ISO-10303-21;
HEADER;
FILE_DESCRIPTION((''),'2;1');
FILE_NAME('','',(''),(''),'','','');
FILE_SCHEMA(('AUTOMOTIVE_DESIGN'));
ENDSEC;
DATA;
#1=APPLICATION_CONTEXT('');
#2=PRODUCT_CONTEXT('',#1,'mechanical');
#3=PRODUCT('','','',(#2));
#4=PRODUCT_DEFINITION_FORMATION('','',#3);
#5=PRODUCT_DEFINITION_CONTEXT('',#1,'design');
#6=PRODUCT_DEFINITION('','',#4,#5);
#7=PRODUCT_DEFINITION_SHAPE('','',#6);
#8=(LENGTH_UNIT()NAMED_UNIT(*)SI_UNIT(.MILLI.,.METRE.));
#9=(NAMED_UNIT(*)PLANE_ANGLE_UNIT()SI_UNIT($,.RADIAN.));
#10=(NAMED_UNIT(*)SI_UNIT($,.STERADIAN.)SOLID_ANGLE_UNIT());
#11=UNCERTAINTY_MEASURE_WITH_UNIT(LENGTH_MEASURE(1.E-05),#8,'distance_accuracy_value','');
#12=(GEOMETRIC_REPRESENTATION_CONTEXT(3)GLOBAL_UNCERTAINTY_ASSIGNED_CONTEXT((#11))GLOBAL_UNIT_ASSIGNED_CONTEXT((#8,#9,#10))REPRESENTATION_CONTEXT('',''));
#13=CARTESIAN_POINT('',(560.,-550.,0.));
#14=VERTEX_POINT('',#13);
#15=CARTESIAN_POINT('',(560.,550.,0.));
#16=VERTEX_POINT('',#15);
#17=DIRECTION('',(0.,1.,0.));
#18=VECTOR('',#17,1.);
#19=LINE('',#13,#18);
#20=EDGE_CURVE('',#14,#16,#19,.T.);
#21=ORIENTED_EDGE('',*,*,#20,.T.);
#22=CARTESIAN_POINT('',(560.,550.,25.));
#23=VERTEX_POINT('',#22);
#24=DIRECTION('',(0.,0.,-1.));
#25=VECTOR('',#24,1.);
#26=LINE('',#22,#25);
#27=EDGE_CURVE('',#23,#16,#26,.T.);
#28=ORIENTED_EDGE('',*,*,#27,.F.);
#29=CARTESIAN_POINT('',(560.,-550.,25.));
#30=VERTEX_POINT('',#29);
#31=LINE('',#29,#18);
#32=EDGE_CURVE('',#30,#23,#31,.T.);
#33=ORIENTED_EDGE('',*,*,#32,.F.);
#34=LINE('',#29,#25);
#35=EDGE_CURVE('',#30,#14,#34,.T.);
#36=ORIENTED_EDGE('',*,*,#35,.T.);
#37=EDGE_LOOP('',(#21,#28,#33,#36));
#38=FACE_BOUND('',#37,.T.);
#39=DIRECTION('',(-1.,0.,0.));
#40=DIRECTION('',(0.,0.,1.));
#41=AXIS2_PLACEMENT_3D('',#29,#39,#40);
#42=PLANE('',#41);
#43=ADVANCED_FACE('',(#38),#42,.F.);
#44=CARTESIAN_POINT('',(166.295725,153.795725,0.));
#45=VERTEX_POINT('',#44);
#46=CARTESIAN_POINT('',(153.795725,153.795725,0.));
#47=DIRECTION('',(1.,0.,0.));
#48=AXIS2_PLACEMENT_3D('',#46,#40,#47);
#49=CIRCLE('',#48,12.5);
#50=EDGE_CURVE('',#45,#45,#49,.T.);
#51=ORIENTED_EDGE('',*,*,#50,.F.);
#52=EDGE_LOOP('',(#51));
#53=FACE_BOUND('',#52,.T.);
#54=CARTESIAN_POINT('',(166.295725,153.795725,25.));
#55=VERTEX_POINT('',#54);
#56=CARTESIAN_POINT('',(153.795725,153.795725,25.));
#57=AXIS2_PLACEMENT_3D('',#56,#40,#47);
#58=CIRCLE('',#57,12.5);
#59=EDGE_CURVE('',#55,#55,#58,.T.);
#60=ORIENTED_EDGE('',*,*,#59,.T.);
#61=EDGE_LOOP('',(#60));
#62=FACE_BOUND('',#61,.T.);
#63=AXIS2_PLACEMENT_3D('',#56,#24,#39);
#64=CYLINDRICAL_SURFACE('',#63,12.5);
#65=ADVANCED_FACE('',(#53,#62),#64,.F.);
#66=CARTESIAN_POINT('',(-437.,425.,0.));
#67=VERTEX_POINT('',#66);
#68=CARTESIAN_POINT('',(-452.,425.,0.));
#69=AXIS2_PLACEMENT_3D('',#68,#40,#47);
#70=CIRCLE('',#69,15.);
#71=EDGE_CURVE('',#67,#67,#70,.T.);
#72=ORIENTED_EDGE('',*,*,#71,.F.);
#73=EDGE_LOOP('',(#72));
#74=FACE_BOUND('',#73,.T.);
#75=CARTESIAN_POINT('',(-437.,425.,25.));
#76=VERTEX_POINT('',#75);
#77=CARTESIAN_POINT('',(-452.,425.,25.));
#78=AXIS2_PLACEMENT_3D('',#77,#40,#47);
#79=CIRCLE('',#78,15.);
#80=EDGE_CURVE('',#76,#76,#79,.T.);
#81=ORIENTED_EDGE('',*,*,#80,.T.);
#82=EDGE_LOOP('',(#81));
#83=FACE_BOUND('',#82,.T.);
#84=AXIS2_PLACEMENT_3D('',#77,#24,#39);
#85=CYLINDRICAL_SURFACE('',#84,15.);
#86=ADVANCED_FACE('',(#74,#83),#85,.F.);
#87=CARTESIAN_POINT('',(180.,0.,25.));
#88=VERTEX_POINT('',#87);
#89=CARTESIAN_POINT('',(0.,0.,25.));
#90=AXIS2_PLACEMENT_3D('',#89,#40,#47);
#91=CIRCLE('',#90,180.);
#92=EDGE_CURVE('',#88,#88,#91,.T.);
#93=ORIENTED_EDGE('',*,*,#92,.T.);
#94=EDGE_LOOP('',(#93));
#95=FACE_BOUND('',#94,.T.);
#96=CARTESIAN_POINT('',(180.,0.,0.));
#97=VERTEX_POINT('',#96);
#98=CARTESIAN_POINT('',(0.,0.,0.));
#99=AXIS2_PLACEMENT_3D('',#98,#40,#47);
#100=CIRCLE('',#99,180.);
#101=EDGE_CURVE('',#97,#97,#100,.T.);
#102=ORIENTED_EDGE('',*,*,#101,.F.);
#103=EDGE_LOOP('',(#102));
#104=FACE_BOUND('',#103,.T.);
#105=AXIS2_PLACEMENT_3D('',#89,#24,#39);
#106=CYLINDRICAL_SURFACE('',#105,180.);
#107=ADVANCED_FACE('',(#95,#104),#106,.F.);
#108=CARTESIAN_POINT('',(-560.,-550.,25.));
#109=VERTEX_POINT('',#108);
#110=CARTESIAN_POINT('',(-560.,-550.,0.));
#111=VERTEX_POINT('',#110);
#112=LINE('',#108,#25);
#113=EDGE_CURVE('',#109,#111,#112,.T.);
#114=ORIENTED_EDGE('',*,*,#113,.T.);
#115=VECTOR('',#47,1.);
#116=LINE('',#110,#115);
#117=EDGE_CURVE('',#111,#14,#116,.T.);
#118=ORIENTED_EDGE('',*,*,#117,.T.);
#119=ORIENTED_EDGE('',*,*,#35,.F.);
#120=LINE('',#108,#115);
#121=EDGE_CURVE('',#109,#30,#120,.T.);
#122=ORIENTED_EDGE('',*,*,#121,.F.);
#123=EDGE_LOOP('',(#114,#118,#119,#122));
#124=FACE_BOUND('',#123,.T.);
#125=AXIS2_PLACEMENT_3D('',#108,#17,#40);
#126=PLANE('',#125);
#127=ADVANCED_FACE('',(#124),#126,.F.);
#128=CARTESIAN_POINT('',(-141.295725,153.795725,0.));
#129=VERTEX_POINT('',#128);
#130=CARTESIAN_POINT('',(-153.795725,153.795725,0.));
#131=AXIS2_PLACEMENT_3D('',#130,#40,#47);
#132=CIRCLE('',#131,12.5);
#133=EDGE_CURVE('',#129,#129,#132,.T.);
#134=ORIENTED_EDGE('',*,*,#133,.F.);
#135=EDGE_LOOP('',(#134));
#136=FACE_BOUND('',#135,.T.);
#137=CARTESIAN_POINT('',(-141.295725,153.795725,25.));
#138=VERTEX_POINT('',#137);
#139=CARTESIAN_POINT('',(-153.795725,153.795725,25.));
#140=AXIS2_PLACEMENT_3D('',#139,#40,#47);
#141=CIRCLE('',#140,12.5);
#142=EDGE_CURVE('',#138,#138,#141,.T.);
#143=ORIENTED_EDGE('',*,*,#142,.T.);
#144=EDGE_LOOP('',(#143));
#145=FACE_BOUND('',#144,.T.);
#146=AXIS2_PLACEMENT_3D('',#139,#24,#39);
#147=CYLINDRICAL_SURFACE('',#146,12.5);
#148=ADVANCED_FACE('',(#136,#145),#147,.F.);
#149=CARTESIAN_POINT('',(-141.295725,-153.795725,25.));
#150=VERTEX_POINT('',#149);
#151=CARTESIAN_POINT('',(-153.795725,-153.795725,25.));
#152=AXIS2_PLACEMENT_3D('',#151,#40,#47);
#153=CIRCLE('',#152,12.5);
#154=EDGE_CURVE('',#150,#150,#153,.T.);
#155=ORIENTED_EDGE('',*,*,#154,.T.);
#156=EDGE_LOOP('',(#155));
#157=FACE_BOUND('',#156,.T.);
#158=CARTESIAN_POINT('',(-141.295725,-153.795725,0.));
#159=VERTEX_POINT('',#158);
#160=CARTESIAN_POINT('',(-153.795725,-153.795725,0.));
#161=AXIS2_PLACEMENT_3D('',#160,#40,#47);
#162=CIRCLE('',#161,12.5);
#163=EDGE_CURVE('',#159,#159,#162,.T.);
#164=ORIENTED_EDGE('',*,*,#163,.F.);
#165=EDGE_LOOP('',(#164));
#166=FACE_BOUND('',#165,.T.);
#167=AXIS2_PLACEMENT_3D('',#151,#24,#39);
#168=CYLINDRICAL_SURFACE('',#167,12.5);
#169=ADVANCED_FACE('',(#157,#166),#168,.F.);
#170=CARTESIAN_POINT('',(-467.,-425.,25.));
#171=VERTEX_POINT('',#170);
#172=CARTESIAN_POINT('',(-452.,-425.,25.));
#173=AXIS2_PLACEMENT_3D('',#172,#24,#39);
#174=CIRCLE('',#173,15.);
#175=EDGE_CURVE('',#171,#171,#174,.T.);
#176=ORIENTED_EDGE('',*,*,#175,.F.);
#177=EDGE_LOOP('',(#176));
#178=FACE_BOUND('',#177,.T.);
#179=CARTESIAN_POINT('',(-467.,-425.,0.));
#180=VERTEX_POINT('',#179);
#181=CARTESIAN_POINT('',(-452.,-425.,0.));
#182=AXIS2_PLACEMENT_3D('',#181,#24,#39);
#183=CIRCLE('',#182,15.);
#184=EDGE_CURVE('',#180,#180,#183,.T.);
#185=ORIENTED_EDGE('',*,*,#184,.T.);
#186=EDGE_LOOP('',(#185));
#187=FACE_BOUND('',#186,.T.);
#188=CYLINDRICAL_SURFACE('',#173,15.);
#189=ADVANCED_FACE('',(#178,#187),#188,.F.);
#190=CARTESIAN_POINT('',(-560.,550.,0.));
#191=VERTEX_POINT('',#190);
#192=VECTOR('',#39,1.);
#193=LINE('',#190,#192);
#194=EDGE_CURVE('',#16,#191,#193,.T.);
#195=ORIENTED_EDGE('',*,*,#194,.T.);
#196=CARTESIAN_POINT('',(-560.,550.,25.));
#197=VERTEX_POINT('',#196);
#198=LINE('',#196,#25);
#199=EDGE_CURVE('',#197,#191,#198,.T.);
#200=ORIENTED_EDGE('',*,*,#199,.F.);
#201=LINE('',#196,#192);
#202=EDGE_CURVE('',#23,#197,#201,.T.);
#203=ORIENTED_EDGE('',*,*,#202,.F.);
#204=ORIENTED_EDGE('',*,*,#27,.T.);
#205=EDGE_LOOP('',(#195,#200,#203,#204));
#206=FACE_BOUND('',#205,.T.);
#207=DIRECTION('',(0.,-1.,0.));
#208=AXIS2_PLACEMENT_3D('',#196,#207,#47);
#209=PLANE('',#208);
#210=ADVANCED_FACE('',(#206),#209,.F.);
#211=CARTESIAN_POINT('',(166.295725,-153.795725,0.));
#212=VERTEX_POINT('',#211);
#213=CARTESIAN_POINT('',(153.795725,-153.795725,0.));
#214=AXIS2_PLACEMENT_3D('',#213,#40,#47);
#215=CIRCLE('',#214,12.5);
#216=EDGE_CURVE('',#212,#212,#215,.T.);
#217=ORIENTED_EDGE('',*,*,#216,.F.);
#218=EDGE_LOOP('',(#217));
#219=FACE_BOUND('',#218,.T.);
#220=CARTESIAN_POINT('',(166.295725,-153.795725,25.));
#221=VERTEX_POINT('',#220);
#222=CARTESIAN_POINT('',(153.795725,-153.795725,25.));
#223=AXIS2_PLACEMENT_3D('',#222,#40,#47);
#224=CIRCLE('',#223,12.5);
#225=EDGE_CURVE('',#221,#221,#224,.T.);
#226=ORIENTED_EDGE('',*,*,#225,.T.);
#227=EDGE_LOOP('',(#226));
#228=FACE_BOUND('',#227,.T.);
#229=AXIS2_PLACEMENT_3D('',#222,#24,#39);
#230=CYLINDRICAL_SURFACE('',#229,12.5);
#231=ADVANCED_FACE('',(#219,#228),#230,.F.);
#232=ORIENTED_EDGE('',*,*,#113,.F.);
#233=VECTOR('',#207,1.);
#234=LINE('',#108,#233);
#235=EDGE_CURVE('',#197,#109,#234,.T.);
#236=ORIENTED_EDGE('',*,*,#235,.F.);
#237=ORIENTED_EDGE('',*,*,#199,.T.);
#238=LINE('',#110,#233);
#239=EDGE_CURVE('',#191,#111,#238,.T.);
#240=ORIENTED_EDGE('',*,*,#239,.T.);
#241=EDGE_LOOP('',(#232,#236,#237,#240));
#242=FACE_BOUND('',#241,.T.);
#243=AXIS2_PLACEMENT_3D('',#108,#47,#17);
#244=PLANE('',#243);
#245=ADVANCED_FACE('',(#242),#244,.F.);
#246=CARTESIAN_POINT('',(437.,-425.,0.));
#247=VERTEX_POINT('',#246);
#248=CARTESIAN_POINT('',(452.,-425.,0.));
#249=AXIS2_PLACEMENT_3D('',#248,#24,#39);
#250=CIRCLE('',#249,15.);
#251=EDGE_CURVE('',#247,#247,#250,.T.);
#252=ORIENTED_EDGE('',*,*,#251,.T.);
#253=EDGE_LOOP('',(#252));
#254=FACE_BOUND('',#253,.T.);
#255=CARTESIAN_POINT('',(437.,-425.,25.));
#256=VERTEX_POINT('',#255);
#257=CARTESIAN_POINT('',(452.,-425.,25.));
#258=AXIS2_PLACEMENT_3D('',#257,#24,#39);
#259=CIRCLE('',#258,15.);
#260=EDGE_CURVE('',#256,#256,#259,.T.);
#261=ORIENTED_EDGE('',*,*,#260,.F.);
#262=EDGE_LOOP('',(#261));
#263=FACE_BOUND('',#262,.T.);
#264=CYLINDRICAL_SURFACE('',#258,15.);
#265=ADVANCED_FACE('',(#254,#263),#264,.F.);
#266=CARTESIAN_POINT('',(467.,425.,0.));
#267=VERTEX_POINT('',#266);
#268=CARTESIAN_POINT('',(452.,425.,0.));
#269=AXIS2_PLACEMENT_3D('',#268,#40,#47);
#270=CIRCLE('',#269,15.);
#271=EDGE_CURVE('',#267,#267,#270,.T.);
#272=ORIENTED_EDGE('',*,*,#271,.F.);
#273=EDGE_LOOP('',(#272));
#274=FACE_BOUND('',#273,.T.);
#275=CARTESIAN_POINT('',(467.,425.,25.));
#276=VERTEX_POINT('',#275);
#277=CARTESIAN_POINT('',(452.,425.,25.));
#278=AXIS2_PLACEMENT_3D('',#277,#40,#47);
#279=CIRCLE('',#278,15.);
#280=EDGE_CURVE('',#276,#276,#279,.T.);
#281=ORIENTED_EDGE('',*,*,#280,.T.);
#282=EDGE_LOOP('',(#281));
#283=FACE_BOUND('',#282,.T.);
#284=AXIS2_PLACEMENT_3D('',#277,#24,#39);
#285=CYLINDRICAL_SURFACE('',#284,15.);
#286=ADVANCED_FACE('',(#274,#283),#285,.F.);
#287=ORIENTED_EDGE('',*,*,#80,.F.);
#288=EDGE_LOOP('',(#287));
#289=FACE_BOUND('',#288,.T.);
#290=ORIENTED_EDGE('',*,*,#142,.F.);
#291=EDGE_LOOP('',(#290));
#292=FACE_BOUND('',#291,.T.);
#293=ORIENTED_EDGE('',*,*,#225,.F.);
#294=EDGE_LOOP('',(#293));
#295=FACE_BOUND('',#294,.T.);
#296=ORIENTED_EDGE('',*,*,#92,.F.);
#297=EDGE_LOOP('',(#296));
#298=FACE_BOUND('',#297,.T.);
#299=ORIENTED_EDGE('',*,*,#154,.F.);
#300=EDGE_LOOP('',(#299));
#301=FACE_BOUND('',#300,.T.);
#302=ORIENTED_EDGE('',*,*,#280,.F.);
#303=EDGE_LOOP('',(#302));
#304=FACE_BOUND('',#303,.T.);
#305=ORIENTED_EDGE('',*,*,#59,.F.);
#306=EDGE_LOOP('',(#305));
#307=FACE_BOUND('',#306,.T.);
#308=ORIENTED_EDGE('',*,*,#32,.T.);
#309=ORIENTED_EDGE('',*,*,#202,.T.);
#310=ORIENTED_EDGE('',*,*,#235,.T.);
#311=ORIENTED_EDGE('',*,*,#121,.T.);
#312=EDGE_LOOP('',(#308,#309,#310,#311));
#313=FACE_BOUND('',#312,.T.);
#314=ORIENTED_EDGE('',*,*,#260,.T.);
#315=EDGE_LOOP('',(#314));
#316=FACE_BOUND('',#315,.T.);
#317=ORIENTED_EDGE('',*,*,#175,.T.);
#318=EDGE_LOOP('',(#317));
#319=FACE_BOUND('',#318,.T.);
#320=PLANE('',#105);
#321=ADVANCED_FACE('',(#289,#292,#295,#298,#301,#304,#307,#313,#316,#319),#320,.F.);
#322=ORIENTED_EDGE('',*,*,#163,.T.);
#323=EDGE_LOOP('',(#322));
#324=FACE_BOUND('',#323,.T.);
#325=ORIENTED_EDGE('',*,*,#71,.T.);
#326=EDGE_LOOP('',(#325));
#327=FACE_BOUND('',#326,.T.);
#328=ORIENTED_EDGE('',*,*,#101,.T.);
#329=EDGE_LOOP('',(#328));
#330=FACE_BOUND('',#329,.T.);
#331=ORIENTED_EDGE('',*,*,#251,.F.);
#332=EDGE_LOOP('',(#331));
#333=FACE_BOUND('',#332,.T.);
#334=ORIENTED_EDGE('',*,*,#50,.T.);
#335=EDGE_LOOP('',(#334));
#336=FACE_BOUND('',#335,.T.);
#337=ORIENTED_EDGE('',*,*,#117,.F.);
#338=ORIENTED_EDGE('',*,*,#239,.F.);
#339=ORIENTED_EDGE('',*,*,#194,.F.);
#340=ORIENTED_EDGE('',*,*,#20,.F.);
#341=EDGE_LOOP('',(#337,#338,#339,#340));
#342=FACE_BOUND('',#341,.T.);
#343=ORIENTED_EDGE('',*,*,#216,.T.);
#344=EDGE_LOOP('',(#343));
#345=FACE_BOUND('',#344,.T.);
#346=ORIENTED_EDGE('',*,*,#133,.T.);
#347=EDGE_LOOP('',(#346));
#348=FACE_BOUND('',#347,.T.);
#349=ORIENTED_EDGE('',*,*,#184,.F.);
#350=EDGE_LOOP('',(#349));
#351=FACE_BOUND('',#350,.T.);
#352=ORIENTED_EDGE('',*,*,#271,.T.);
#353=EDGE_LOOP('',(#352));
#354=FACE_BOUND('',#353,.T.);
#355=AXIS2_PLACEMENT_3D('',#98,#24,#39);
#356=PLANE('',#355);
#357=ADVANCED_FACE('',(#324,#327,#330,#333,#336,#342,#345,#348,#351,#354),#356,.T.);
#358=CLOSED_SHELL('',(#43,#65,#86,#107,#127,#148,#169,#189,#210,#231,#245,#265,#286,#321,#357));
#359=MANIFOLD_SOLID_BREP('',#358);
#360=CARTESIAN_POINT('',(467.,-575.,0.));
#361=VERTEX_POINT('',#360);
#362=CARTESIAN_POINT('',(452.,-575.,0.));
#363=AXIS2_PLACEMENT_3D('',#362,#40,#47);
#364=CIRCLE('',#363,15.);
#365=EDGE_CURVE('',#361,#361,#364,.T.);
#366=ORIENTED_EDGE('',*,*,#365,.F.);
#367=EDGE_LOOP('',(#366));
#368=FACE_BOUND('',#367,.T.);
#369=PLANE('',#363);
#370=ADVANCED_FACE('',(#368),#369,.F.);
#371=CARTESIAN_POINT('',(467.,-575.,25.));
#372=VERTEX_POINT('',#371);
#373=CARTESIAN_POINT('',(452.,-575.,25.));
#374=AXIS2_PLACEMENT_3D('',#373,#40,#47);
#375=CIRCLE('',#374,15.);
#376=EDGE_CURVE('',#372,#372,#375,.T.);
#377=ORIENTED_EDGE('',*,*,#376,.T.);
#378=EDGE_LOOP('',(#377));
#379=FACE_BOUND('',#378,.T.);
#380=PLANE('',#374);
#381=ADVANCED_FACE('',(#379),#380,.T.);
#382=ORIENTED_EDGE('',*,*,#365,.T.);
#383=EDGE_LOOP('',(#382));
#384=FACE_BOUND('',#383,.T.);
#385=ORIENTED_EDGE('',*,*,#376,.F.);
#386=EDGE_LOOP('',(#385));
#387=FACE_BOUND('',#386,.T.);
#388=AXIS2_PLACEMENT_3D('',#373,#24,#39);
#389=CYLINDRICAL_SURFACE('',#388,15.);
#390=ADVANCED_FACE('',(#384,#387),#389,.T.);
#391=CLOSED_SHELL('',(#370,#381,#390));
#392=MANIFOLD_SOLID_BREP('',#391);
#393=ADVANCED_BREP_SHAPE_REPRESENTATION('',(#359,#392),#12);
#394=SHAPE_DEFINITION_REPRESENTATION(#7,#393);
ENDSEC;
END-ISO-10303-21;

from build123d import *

# Parameters (mm, degrees)
SKETCH_1_R          = 15
EXTRUDE_1_DEPTH     = 25
SKETCH_1_W          = 1120
SKETCH_1_H          = 1100
SKETCH_1_R_2        = 180
SKETCH_1_R_3        = 12.5
EXTRUDE_1_2_DEPTH   = 25
SKETCH_2_R          = 15
CUT_EXTRUDE_1_DEPTH = 814.833521059
SKETCH_4_R          = 15
CUT_EXTRUDE_2_DEPTH = 814.833521059


with BuildPart() as part:
    # 草图1 → 凸台-拉伸1 (new body)
    with BuildSketch(Plane.XY):
        with Locations((452, -575)):
            Circle(SKETCH_1_R)
    extrude(amount=EXTRUDE_1_DEPTH)


with BuildPart() as body_2:
    # 草图1 → Extrude 1 2 (new body)
    with BuildSketch(Plane.XY):
        Rectangle(SKETCH_1_W, SKETCH_1_H)
        with Locations((-452, 425)):
            Circle(SKETCH_1_R, mode=Mode.SUBTRACT)
        Circle(SKETCH_1_R_2, mode=Mode.SUBTRACT)
        with Locations((153.795724908, -153.795724908)):
            Circle(SKETCH_1_R_3, mode=Mode.SUBTRACT)
        with Locations((-153.795724908, -153.795724908)):
            Circle(SKETCH_1_R_3, mode=Mode.SUBTRACT)
        with Locations((-153.795724908, 153.795724908)):
            Circle(SKETCH_1_R_3, mode=Mode.SUBTRACT)
        with Locations((153.795724908, 153.795724908)):
            Circle(SKETCH_1_R_3, mode=Mode.SUBTRACT)
        with Locations((452, 425)):
            Circle(SKETCH_1_R, mode=Mode.SUBTRACT)
    extrude(amount=EXTRUDE_1_2_DEPTH)

    # 草图2 → 切除-拉伸1 (cut, through all)
    with BuildSketch(Plane(origin=(0, 0, 0), x_dir=(-1, 0, 0), z_dir=(0, 0, -1))):
        with Locations((452, -425)):
            Circle(SKETCH_2_R)
    extrude(amount=-CUT_EXTRUDE_1_DEPTH, mode=Mode.SUBTRACT)

    # 草图4 → 切除-拉伸2 (cut, through all)
    with BuildSketch(Plane(origin=(0, 0, 0), x_dir=(-1, 0, 0), z_dir=(0, 0, -1))):
        with Locations((-452, -425)):
            Circle(SKETCH_4_R)
    extrude(amount=-CUT_EXTRUDE_2_DEPTH, mode=Mode.SUBTRACT)


solid = Compound([part.part, body_2.part])
